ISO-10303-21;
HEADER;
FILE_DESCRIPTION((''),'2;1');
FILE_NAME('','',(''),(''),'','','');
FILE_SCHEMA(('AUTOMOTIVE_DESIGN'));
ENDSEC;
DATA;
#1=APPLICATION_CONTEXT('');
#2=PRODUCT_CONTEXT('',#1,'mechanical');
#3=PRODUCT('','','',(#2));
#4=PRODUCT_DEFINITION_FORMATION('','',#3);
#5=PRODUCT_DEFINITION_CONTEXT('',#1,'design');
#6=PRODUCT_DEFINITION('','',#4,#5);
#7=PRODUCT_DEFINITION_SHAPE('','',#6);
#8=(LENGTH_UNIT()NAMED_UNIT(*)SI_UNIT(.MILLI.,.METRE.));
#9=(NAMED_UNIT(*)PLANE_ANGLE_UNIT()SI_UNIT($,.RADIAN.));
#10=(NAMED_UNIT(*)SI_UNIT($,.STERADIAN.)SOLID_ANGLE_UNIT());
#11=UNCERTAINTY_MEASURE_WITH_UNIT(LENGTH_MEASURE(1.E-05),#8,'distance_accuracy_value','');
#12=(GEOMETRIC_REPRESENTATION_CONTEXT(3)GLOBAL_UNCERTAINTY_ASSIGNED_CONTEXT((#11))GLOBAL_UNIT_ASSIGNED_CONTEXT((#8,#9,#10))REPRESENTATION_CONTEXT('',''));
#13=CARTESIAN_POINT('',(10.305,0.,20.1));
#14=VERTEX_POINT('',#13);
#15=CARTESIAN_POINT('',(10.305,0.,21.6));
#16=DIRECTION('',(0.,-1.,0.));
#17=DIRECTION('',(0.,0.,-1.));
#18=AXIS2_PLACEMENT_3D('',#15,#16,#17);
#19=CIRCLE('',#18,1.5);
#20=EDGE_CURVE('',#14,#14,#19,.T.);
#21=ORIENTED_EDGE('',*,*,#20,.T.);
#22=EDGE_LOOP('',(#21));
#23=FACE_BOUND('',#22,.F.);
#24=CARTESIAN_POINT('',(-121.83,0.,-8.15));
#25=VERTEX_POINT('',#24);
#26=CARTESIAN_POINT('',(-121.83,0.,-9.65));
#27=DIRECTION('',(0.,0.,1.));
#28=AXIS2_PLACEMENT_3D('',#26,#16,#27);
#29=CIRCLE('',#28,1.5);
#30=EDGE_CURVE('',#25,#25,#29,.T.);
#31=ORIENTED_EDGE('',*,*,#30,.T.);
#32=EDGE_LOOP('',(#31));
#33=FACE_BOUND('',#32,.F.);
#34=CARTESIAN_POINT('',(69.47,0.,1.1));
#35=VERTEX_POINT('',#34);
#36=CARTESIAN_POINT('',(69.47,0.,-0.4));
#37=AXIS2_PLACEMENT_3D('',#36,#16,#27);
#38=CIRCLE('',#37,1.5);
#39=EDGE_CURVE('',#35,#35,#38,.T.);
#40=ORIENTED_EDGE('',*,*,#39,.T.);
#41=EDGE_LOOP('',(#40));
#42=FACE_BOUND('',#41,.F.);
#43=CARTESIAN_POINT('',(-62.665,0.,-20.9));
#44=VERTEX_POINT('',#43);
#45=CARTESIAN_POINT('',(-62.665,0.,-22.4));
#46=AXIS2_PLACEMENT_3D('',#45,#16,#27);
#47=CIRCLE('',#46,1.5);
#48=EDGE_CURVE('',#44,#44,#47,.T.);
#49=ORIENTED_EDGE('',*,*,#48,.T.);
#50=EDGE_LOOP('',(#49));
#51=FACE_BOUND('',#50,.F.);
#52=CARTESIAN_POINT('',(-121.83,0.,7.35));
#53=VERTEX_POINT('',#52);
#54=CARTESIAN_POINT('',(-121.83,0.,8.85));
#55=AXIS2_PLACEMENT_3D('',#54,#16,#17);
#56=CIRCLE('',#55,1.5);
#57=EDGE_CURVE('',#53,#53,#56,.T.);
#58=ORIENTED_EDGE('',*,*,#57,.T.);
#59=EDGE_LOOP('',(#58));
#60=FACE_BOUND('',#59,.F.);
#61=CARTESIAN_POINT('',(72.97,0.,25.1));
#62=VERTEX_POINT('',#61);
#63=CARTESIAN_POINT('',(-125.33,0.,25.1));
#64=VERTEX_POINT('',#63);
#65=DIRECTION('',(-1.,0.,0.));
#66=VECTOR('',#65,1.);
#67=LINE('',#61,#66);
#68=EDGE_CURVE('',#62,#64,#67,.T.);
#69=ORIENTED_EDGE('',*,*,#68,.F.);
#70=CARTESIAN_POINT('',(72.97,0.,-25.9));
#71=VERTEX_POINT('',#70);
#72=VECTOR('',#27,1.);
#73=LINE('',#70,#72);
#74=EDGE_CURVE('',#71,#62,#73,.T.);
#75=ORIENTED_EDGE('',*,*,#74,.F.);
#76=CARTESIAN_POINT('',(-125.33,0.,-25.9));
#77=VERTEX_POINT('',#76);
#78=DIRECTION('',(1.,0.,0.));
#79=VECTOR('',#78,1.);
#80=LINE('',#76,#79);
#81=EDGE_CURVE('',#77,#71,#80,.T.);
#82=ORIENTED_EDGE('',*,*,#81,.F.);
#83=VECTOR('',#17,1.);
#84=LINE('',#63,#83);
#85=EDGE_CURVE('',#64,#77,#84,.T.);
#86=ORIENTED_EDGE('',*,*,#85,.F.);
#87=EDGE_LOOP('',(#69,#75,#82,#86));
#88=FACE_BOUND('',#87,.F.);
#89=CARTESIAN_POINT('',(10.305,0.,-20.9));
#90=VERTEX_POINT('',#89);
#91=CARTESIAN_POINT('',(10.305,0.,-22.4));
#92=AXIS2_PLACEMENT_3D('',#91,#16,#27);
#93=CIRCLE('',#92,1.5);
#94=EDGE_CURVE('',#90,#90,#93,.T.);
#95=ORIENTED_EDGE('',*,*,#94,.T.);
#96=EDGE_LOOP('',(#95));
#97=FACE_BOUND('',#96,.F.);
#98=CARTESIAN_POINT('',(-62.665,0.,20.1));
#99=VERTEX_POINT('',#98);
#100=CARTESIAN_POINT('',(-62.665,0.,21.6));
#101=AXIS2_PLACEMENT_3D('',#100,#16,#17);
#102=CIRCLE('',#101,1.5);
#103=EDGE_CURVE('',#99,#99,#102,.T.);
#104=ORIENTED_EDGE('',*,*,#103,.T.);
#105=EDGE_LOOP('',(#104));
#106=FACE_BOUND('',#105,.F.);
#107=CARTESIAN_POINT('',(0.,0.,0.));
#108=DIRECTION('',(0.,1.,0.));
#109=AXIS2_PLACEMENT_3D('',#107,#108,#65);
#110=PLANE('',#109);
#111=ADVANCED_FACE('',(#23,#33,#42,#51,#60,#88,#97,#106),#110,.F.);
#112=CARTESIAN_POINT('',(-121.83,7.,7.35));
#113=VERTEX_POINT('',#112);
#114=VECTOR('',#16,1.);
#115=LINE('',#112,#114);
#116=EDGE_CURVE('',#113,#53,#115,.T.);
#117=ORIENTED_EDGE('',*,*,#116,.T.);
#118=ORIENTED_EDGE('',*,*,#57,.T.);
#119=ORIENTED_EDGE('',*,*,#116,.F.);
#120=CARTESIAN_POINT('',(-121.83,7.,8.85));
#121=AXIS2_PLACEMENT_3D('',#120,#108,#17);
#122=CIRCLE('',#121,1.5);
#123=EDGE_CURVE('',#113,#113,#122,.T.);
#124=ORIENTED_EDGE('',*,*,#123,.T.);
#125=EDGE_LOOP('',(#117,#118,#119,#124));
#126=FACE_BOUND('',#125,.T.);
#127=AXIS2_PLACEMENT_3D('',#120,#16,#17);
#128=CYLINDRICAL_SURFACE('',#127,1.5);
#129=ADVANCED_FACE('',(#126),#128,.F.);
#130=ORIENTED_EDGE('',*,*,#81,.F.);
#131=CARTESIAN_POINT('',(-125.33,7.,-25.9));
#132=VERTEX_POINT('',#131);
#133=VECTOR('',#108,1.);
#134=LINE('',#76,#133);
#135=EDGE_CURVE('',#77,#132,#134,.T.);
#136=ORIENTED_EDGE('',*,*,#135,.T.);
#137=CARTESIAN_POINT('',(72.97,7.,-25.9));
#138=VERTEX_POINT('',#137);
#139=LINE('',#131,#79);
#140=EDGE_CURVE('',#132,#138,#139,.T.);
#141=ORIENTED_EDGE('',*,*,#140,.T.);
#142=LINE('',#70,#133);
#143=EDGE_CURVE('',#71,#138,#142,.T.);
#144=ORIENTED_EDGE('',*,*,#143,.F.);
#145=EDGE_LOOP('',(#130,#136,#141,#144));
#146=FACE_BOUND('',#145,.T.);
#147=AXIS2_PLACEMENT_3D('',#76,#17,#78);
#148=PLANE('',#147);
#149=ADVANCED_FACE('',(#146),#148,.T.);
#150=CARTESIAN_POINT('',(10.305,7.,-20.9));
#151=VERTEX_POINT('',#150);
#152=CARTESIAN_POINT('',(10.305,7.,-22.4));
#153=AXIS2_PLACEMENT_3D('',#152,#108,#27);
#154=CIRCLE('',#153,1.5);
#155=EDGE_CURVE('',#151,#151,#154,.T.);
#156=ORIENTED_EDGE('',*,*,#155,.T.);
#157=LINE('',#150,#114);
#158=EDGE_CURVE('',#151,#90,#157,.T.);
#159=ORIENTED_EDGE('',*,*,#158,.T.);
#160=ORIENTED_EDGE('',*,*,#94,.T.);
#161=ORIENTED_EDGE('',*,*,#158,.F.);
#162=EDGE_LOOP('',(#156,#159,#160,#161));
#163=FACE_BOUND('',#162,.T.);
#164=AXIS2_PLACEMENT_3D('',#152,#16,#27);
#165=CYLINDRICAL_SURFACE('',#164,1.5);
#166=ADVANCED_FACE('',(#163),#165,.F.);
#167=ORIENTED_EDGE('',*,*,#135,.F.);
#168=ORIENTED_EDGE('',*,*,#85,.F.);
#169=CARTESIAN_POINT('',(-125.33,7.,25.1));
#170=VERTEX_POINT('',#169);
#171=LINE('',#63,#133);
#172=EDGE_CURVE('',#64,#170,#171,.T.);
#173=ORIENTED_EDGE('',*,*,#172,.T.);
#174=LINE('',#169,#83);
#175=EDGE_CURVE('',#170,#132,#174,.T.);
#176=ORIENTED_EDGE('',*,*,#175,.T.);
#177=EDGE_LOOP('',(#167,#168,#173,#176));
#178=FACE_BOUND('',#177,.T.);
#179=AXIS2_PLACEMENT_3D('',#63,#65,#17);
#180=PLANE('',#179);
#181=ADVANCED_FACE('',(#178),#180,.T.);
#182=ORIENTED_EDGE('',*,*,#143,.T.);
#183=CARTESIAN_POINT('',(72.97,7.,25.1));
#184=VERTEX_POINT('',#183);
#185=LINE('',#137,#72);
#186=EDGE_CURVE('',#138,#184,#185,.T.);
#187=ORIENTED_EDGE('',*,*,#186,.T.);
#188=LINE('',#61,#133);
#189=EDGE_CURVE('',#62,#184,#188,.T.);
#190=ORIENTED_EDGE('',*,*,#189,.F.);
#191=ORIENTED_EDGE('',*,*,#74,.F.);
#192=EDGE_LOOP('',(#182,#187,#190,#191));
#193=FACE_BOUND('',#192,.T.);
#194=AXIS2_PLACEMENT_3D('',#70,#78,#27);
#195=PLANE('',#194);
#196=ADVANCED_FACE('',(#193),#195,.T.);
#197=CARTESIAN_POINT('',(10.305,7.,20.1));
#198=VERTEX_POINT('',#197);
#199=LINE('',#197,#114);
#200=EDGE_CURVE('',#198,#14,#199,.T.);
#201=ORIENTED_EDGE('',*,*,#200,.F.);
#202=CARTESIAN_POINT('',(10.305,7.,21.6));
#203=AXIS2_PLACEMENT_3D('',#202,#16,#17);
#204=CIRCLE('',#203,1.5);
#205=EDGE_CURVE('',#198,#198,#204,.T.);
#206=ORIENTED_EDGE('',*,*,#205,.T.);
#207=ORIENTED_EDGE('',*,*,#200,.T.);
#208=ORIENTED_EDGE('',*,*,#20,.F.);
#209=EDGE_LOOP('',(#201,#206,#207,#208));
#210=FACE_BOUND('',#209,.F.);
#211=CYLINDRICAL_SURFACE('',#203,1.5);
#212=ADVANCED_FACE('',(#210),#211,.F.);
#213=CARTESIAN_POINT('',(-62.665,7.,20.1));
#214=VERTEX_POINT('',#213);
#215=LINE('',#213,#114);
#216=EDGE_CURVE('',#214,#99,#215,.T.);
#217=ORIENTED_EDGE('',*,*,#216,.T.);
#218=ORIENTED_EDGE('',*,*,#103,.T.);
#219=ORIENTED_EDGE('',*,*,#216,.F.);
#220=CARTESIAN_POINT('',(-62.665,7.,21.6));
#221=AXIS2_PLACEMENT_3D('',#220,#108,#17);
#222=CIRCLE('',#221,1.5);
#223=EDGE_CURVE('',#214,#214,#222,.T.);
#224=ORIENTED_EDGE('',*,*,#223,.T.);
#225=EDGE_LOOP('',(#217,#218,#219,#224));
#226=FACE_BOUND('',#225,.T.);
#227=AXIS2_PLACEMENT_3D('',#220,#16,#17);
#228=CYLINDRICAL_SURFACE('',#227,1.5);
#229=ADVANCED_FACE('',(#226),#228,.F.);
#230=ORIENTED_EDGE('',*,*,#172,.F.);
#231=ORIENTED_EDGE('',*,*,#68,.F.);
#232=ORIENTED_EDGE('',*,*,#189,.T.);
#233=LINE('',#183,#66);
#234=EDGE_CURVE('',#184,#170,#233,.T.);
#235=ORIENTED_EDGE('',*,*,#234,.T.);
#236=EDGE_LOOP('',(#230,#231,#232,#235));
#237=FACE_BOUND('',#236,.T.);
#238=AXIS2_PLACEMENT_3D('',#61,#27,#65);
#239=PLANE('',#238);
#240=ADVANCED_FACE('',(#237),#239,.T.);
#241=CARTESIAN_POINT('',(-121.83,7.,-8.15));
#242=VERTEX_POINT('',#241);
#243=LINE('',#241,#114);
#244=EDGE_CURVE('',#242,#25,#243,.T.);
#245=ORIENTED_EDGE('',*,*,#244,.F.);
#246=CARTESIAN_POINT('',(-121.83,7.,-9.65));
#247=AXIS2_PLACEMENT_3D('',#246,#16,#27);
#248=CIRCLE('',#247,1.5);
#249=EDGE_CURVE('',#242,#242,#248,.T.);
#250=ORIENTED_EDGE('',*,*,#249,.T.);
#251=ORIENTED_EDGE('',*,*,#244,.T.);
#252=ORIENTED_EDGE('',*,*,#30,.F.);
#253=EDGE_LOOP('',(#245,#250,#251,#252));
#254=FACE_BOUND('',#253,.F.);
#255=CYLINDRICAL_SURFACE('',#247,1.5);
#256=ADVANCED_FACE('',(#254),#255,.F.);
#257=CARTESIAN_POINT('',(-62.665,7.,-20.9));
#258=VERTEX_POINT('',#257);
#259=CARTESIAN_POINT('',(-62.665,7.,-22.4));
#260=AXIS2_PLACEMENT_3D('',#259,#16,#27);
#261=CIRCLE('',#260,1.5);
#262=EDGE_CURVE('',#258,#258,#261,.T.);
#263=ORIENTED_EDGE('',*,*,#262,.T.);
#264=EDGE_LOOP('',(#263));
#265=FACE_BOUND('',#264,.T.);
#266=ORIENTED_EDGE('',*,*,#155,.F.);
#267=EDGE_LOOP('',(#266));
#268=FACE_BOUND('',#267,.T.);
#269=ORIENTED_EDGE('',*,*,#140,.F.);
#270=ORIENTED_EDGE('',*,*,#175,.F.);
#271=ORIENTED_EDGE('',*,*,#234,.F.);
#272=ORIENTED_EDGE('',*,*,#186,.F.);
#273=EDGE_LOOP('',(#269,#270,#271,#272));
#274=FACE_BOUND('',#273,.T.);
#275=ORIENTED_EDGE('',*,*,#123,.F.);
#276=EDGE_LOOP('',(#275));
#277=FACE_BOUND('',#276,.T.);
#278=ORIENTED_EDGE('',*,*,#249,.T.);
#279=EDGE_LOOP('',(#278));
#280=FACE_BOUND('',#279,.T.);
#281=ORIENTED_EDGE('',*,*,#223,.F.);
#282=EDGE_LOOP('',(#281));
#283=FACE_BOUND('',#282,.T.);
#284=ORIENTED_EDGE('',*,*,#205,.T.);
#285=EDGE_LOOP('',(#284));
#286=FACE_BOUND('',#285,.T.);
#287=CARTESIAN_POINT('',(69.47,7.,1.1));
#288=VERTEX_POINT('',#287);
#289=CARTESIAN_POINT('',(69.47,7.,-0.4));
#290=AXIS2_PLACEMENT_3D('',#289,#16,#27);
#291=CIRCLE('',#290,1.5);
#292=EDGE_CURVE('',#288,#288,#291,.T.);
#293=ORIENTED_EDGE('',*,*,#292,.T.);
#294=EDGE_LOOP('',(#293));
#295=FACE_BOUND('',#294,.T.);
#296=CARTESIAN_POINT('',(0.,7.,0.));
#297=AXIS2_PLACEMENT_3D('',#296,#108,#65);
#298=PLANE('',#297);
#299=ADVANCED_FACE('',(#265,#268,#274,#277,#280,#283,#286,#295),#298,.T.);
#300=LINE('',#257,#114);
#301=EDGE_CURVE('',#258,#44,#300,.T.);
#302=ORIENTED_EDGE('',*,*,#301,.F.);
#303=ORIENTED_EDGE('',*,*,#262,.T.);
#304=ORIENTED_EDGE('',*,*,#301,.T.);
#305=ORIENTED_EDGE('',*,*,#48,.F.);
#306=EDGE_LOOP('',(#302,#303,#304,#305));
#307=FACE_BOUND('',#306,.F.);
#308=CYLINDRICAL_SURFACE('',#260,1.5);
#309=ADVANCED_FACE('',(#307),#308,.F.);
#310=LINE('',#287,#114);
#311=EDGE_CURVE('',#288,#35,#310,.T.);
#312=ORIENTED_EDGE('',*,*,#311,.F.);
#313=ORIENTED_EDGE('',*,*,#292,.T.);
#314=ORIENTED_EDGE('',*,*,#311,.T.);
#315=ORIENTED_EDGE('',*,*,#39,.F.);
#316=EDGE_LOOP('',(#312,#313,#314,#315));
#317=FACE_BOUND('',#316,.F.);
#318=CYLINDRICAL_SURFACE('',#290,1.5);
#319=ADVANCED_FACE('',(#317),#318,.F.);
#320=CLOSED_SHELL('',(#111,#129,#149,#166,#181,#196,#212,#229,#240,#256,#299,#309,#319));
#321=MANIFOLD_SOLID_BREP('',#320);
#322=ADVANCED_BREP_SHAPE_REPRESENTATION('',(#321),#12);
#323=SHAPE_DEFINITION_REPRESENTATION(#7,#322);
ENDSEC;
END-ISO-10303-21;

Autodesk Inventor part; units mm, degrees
ref_plane "YZ Plane" through (0, 0, 0) normal (1, 0, 0) x (0, 1, 0)
ref_plane "XZ Plane" through (0, 0, 0) normal (0, 1, 0) x (-1, 0, 0)
sketch "Sketch1" plane through (0, 0, 0) normal (0, 1, 0) x (-1, 0, 0)
  line L0 (-72.97, 25.1) -> (125.33, 25.1)
  line L1 (125.33, 25.1) -> (125.33, -25.9)
  line L2 (125.33, -25.9) -> (-72.97, -25.9)
  line L3 (-72.97, -25.9) -> (-72.97, 25.1)
  line L4 (-72.97, 25.1) -> (125.33, -25.9) construction
  line L5 (125.33, 25.1) -> (-72.97, -25.9) construction
  point P0 (26.18, -0.4)
  dimension "d1" = 51
  dimension "d31" = 198.3
extrude "Extrusion1" add sketch "Sketch1" along normal blind 7
sketch "Sketch2" plane through (0, 7, 0) normal (0, 1, 0) x (1, 0, 0)
  circle A0 centre (-121.83, 9.65) radius 1.5
  circle A1 centre (-62.665, 22.4) radius 1.5
  line L0 (72.97, 25.9) -> (-125.33, 25.9) projected
  line L1 (-125.33, 25.9) -> (-125.33, -25.1) projected
  circle A2 centre (69.47, 0.4) radius 1.5
  line L2 (72.97, -25.1) -> (72.97, 25.9) projected
  point P0 (0, 0)
  dimension "d5" = 3
  dimension "d21" = 3
  dimension "d22" = 3.5
  dimension "d23" = 62.665
  dimension "d32" = 3.5
  dimension "d33" = 16.25
  dimension "d34" = 3
  dimension "d35" = 3.5
  dimension "d36" = 25.5
hole "Hole1" at (-121.83, 7, -9.65) direction (0, -1, 0) diameter 3 end through all
hole "Hole3" at (-62.665, 7, -22.4) direction (0, -1, 0) diameter 3 end through all
ref_plane "Work Plane1" through (-26.18, 0, 25.1) normal (1, 0, 0) x (0, 0, -1)
mirror "Mirror7" about plane through (-26.18, 0, 25.1) normal (1, 0, 0) of "Hole3"
hole "Hole4" at (69.47, 7, -0.4) direction (0, -1, 0) diameter 3 end through all
ref_plane "Work Plane2" through (72.97, 0, -0.4) normal (0, 0, -1) x (-1, 0, 0)
mirror "Mirror8" about plane through (72.97, 0, -0.4) normal (0, 0, -1) of "Hole3", "Mirror7", "Hole1"
properties part number "Mold_BottomWall"
